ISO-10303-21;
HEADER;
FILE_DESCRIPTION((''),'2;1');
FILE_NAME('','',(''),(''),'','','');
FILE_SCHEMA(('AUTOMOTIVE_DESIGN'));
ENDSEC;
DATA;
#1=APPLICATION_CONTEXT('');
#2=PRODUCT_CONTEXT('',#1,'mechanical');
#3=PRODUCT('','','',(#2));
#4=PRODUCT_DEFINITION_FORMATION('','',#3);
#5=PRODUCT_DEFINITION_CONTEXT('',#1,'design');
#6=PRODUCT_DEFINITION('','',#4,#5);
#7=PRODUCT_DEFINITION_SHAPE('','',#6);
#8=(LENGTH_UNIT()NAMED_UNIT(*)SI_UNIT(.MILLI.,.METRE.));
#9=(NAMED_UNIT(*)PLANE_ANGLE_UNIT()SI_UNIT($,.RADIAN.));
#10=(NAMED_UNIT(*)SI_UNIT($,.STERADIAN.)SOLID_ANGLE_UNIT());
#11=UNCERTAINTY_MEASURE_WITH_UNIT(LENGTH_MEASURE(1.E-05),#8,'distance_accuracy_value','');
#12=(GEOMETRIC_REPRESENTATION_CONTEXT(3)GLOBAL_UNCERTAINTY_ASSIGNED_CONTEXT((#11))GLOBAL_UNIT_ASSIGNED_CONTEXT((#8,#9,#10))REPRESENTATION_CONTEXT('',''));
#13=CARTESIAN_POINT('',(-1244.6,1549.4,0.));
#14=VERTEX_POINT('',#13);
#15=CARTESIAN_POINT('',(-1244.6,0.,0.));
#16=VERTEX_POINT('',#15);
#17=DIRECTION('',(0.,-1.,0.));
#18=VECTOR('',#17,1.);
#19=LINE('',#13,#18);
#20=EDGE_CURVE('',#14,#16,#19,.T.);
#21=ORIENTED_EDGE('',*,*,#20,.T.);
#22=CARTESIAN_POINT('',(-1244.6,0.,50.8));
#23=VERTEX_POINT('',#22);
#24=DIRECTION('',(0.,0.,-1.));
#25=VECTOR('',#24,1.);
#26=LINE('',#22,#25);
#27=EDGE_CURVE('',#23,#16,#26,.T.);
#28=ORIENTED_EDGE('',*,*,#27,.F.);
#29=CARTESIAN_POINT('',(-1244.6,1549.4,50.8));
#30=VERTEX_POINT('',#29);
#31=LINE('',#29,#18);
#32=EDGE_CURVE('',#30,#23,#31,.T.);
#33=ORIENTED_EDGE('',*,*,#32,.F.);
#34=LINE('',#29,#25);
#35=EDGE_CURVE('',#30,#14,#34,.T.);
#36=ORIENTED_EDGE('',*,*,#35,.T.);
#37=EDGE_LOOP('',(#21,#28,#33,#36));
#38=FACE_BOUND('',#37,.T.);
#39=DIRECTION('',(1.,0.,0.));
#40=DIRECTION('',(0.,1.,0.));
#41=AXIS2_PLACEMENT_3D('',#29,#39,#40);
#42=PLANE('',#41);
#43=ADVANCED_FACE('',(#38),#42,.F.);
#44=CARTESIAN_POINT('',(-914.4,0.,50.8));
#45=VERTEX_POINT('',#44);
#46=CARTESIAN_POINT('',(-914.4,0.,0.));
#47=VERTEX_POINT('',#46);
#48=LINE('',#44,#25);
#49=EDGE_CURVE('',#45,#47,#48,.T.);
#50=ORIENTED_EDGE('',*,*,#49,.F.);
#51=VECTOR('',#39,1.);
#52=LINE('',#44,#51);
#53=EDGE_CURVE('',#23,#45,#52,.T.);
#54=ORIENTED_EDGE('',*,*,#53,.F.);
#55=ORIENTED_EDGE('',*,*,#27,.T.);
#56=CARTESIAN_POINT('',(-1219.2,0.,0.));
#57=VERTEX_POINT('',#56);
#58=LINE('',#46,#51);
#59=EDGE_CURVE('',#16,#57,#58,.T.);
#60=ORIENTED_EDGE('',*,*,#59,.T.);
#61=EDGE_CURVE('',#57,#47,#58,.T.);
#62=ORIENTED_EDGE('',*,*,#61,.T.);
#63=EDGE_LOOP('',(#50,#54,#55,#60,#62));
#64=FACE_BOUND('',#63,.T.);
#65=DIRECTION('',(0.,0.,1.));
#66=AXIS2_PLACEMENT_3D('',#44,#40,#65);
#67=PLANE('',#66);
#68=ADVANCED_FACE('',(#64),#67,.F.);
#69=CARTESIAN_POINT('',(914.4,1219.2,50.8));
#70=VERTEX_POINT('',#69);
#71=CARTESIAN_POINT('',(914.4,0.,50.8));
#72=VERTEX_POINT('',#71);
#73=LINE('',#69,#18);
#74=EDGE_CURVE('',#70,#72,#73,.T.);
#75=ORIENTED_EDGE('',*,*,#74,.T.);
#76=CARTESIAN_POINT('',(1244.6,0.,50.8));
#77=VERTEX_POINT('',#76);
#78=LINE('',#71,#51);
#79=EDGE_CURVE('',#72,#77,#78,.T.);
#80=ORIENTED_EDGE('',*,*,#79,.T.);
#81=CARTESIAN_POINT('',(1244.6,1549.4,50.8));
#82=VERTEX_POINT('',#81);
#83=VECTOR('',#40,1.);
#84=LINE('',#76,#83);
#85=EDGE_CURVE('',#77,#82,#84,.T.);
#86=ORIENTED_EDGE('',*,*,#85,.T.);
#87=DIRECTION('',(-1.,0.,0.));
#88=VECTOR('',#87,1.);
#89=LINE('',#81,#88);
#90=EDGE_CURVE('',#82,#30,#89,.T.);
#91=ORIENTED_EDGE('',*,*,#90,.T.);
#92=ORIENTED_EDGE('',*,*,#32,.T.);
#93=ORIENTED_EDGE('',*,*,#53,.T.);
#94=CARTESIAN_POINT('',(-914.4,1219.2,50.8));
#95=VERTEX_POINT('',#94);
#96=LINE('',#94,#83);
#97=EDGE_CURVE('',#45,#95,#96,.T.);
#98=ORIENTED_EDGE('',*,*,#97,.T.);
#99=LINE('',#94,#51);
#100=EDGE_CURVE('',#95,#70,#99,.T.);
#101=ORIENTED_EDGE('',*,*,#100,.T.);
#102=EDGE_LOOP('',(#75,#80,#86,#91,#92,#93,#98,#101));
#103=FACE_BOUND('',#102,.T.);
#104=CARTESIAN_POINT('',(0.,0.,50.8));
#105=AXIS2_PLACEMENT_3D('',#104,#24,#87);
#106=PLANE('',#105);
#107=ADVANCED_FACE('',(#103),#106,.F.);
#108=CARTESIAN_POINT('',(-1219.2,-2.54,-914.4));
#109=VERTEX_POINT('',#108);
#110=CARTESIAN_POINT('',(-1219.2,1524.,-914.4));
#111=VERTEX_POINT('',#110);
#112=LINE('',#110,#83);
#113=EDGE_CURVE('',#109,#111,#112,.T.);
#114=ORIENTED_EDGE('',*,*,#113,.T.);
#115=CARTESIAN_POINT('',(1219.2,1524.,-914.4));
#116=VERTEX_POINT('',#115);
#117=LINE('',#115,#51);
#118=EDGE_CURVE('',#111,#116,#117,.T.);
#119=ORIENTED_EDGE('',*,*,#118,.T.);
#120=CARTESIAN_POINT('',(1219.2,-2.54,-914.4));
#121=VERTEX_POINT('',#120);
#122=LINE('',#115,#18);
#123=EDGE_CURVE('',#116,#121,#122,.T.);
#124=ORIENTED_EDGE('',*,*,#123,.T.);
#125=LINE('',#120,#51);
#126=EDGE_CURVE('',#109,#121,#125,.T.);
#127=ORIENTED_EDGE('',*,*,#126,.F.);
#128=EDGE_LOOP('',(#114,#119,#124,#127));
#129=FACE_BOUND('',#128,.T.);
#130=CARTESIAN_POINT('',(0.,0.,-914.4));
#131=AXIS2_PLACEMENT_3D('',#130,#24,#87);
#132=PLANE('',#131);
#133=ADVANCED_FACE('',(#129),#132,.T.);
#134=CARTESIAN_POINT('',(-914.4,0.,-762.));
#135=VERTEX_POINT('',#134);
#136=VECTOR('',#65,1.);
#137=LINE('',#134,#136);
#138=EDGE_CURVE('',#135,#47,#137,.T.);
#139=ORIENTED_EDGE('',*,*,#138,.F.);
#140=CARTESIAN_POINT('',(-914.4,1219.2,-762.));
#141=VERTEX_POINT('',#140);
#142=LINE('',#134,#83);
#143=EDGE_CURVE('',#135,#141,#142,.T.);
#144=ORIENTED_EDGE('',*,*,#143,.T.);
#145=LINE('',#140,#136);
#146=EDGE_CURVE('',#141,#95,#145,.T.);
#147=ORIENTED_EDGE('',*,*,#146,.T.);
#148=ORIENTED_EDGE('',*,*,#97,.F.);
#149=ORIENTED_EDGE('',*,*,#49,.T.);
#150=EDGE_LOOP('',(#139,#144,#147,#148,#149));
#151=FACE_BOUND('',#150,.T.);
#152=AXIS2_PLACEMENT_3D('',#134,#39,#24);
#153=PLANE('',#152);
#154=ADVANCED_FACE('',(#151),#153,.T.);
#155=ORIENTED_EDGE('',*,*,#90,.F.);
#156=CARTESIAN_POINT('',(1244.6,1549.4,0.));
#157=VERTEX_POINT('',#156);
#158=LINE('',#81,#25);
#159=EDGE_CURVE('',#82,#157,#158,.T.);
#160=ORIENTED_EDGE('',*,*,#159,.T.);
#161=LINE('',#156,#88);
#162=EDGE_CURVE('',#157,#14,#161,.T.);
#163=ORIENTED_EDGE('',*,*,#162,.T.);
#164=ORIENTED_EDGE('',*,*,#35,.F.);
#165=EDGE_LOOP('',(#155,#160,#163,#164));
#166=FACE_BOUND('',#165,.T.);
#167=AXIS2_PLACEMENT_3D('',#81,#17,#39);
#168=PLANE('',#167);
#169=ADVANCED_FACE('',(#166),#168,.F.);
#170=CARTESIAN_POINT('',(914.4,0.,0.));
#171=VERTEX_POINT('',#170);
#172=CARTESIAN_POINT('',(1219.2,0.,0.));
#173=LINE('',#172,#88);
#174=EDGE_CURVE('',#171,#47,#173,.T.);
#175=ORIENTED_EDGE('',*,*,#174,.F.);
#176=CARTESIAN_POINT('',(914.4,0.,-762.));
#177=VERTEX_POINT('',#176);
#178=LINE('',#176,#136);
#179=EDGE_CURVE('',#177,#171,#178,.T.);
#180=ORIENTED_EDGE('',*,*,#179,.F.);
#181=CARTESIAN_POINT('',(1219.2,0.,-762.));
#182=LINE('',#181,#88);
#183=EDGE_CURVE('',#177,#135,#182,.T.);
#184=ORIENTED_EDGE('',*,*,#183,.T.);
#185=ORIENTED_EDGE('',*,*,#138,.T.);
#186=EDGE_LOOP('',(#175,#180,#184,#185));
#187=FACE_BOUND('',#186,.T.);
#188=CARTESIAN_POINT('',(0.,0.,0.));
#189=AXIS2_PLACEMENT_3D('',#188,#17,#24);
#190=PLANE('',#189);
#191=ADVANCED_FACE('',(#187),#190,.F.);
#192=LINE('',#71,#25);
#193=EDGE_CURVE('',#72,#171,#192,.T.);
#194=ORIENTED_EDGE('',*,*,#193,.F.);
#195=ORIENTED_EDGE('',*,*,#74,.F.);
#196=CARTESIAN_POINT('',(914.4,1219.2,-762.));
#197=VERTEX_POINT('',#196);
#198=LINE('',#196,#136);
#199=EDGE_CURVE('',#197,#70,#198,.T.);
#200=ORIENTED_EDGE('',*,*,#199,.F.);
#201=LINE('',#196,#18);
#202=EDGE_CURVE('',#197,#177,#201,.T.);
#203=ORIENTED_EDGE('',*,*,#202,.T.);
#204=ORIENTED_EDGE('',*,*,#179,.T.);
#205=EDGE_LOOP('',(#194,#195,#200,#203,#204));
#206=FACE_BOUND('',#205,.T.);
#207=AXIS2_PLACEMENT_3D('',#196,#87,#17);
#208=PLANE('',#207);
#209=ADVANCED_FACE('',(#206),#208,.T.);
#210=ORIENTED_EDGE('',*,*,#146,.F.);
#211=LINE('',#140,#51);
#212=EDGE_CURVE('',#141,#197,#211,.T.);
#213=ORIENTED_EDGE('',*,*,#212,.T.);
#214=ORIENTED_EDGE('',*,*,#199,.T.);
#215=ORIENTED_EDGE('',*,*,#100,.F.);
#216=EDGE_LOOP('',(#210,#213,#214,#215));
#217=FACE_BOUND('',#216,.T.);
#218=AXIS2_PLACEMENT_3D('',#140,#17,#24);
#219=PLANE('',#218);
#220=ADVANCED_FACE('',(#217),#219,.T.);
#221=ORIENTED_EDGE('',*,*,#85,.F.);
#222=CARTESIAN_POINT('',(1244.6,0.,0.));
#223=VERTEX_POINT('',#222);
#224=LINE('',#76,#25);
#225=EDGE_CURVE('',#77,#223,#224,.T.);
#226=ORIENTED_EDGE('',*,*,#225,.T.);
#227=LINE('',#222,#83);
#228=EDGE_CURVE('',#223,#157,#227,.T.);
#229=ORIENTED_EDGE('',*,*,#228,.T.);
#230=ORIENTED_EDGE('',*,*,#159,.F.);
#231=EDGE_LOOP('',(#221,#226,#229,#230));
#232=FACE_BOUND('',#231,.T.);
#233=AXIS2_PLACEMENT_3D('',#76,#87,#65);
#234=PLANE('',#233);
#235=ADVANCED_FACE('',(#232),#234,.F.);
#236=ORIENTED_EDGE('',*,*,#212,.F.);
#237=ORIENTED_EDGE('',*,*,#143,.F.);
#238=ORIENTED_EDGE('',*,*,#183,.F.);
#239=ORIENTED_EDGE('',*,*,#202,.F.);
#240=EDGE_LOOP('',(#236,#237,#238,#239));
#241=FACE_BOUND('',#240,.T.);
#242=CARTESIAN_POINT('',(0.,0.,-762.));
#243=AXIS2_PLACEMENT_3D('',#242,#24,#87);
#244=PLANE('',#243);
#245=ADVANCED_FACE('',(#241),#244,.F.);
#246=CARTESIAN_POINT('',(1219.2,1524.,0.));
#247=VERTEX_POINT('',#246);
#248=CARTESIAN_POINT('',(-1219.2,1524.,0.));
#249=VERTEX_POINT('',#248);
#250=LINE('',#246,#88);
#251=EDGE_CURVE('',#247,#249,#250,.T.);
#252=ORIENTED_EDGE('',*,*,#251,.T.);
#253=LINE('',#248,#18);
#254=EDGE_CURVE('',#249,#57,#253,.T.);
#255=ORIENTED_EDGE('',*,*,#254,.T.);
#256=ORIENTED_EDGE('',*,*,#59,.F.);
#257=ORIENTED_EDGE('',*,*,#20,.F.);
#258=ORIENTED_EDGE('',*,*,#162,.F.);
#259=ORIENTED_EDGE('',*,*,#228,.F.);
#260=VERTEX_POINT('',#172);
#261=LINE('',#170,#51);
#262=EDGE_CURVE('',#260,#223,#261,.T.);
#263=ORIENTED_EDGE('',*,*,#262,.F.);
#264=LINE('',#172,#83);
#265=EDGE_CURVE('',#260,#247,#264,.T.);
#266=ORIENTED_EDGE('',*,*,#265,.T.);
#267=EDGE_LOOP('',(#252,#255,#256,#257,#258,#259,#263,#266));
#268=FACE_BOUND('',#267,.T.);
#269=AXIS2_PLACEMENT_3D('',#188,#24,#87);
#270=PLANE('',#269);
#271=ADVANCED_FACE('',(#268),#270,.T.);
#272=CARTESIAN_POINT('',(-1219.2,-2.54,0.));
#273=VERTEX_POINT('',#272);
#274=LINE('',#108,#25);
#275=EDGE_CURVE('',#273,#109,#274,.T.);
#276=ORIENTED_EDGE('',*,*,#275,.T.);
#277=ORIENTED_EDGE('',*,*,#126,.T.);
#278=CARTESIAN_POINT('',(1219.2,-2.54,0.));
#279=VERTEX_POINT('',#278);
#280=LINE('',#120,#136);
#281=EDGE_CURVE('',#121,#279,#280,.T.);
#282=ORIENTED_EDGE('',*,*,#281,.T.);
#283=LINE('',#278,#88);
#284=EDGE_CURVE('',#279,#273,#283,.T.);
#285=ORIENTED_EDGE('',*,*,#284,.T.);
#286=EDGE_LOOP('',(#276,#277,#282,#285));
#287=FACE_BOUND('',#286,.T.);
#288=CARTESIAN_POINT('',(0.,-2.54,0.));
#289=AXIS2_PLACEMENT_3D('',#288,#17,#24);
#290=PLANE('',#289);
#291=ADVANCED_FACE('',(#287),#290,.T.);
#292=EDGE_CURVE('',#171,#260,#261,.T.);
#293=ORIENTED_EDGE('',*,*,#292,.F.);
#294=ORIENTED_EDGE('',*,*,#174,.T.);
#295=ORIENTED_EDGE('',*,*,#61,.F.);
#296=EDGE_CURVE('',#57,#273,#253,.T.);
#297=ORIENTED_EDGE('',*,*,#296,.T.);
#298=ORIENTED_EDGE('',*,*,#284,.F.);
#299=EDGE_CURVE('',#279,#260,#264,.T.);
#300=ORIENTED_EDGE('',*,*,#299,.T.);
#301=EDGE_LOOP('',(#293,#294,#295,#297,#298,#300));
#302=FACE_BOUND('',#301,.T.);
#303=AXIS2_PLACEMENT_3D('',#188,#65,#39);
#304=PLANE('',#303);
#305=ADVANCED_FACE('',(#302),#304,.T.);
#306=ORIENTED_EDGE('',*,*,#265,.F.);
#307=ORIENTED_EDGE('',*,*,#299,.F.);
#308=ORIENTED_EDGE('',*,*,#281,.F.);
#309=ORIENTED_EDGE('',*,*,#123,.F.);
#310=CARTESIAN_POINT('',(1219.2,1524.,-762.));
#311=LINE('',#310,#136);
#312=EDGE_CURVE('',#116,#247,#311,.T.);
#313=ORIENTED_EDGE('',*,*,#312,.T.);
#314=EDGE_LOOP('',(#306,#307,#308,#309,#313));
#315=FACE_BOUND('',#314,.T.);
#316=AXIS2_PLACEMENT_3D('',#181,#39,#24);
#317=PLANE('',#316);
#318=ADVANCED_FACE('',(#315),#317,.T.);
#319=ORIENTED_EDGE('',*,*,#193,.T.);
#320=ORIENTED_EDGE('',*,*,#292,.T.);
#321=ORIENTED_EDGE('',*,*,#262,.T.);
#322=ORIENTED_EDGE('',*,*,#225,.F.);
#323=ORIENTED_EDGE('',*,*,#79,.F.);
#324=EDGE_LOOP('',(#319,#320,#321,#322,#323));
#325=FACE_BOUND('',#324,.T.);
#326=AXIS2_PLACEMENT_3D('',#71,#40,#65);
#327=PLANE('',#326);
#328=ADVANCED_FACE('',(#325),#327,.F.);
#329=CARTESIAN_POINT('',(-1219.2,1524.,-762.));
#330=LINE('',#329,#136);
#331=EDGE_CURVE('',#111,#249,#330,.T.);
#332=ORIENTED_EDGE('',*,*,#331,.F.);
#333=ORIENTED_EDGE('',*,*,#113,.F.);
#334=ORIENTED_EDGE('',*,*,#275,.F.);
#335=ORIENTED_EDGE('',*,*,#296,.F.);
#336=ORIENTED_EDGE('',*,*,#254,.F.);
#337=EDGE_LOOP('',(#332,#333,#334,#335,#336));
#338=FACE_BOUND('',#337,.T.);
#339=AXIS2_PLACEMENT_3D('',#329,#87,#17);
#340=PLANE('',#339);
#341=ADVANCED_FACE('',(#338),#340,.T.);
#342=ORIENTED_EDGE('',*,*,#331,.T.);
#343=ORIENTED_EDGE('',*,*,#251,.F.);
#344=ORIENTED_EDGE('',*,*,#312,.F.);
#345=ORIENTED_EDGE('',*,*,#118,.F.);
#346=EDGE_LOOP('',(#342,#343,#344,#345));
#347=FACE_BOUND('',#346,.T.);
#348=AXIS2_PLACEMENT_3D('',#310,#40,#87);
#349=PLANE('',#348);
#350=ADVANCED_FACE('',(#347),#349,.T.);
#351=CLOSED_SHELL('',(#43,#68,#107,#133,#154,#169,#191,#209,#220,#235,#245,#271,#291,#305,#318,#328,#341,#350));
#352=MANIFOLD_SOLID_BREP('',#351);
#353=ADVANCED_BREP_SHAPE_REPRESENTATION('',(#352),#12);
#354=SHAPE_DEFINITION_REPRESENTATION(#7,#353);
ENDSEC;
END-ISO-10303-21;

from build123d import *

# Parameters (mm, degrees)
BOSS_EXTRUDE1_DEPTH = 762
SKETCH2_W           = 2438.4
SKETCH2_H           = 1524
BOSS_EXTRUDE2_DEPTH = 152.4
SKETCH3_W           = 2438.4
SKETCH3_H           = 914.4
BOSS_EXTRUDE3_DEPTH = 2.54
BOSS_EXTRUDE4_DEPTH = 50.8


with BuildPart() as part:
    # Sketch1 → Boss-Extrude1 (new body)
    with BuildSketch(Plane.XY):
        Polygon((-1219.2, 0), (-914.4, 0), (-914.4, 1219.2), (914.4, 1219.2), (914.4, 0), (1219.2, 0), (1219.2, 1524), (-1219.2, 1524), align=None)
    extrude(amount=-BOSS_EXTRUDE1_DEPTH)

    # Sketch2 → Boss-Extrude2 (add)
    with BuildSketch(Plane(origin=(0, 0, -762), x_dir=(-1, 0, 0), z_dir=(0, 0, -1))):
        with Locations((0, 762)):
            Rectangle(SKETCH2_W, SKETCH2_H)
    extrude(amount=BOSS_EXTRUDE2_DEPTH)

    # Sketch3 → Boss-Extrude3 (add)
    with BuildSketch(Plane.XZ):
        with Locations((0, -457.2)):
            Rectangle(SKETCH3_W, SKETCH3_H)
    extrude(amount=BOSS_EXTRUDE3_DEPTH)

    # Sketch4 → Boss-Extrude4 (add)
    with BuildSketch(Plane.XY):
        Polygon((-914.4, 0), (-1244.6, 0), (-1244.6, 1549.4), (1244.6, 1549.4), (1244.6, 0), (914.4, 0), (914.4, 1219.2), (-914.4, 1219.2), align=None)
    extrude(amount=BOSS_EXTRUDE4_DEPTH)


solid = part.part
